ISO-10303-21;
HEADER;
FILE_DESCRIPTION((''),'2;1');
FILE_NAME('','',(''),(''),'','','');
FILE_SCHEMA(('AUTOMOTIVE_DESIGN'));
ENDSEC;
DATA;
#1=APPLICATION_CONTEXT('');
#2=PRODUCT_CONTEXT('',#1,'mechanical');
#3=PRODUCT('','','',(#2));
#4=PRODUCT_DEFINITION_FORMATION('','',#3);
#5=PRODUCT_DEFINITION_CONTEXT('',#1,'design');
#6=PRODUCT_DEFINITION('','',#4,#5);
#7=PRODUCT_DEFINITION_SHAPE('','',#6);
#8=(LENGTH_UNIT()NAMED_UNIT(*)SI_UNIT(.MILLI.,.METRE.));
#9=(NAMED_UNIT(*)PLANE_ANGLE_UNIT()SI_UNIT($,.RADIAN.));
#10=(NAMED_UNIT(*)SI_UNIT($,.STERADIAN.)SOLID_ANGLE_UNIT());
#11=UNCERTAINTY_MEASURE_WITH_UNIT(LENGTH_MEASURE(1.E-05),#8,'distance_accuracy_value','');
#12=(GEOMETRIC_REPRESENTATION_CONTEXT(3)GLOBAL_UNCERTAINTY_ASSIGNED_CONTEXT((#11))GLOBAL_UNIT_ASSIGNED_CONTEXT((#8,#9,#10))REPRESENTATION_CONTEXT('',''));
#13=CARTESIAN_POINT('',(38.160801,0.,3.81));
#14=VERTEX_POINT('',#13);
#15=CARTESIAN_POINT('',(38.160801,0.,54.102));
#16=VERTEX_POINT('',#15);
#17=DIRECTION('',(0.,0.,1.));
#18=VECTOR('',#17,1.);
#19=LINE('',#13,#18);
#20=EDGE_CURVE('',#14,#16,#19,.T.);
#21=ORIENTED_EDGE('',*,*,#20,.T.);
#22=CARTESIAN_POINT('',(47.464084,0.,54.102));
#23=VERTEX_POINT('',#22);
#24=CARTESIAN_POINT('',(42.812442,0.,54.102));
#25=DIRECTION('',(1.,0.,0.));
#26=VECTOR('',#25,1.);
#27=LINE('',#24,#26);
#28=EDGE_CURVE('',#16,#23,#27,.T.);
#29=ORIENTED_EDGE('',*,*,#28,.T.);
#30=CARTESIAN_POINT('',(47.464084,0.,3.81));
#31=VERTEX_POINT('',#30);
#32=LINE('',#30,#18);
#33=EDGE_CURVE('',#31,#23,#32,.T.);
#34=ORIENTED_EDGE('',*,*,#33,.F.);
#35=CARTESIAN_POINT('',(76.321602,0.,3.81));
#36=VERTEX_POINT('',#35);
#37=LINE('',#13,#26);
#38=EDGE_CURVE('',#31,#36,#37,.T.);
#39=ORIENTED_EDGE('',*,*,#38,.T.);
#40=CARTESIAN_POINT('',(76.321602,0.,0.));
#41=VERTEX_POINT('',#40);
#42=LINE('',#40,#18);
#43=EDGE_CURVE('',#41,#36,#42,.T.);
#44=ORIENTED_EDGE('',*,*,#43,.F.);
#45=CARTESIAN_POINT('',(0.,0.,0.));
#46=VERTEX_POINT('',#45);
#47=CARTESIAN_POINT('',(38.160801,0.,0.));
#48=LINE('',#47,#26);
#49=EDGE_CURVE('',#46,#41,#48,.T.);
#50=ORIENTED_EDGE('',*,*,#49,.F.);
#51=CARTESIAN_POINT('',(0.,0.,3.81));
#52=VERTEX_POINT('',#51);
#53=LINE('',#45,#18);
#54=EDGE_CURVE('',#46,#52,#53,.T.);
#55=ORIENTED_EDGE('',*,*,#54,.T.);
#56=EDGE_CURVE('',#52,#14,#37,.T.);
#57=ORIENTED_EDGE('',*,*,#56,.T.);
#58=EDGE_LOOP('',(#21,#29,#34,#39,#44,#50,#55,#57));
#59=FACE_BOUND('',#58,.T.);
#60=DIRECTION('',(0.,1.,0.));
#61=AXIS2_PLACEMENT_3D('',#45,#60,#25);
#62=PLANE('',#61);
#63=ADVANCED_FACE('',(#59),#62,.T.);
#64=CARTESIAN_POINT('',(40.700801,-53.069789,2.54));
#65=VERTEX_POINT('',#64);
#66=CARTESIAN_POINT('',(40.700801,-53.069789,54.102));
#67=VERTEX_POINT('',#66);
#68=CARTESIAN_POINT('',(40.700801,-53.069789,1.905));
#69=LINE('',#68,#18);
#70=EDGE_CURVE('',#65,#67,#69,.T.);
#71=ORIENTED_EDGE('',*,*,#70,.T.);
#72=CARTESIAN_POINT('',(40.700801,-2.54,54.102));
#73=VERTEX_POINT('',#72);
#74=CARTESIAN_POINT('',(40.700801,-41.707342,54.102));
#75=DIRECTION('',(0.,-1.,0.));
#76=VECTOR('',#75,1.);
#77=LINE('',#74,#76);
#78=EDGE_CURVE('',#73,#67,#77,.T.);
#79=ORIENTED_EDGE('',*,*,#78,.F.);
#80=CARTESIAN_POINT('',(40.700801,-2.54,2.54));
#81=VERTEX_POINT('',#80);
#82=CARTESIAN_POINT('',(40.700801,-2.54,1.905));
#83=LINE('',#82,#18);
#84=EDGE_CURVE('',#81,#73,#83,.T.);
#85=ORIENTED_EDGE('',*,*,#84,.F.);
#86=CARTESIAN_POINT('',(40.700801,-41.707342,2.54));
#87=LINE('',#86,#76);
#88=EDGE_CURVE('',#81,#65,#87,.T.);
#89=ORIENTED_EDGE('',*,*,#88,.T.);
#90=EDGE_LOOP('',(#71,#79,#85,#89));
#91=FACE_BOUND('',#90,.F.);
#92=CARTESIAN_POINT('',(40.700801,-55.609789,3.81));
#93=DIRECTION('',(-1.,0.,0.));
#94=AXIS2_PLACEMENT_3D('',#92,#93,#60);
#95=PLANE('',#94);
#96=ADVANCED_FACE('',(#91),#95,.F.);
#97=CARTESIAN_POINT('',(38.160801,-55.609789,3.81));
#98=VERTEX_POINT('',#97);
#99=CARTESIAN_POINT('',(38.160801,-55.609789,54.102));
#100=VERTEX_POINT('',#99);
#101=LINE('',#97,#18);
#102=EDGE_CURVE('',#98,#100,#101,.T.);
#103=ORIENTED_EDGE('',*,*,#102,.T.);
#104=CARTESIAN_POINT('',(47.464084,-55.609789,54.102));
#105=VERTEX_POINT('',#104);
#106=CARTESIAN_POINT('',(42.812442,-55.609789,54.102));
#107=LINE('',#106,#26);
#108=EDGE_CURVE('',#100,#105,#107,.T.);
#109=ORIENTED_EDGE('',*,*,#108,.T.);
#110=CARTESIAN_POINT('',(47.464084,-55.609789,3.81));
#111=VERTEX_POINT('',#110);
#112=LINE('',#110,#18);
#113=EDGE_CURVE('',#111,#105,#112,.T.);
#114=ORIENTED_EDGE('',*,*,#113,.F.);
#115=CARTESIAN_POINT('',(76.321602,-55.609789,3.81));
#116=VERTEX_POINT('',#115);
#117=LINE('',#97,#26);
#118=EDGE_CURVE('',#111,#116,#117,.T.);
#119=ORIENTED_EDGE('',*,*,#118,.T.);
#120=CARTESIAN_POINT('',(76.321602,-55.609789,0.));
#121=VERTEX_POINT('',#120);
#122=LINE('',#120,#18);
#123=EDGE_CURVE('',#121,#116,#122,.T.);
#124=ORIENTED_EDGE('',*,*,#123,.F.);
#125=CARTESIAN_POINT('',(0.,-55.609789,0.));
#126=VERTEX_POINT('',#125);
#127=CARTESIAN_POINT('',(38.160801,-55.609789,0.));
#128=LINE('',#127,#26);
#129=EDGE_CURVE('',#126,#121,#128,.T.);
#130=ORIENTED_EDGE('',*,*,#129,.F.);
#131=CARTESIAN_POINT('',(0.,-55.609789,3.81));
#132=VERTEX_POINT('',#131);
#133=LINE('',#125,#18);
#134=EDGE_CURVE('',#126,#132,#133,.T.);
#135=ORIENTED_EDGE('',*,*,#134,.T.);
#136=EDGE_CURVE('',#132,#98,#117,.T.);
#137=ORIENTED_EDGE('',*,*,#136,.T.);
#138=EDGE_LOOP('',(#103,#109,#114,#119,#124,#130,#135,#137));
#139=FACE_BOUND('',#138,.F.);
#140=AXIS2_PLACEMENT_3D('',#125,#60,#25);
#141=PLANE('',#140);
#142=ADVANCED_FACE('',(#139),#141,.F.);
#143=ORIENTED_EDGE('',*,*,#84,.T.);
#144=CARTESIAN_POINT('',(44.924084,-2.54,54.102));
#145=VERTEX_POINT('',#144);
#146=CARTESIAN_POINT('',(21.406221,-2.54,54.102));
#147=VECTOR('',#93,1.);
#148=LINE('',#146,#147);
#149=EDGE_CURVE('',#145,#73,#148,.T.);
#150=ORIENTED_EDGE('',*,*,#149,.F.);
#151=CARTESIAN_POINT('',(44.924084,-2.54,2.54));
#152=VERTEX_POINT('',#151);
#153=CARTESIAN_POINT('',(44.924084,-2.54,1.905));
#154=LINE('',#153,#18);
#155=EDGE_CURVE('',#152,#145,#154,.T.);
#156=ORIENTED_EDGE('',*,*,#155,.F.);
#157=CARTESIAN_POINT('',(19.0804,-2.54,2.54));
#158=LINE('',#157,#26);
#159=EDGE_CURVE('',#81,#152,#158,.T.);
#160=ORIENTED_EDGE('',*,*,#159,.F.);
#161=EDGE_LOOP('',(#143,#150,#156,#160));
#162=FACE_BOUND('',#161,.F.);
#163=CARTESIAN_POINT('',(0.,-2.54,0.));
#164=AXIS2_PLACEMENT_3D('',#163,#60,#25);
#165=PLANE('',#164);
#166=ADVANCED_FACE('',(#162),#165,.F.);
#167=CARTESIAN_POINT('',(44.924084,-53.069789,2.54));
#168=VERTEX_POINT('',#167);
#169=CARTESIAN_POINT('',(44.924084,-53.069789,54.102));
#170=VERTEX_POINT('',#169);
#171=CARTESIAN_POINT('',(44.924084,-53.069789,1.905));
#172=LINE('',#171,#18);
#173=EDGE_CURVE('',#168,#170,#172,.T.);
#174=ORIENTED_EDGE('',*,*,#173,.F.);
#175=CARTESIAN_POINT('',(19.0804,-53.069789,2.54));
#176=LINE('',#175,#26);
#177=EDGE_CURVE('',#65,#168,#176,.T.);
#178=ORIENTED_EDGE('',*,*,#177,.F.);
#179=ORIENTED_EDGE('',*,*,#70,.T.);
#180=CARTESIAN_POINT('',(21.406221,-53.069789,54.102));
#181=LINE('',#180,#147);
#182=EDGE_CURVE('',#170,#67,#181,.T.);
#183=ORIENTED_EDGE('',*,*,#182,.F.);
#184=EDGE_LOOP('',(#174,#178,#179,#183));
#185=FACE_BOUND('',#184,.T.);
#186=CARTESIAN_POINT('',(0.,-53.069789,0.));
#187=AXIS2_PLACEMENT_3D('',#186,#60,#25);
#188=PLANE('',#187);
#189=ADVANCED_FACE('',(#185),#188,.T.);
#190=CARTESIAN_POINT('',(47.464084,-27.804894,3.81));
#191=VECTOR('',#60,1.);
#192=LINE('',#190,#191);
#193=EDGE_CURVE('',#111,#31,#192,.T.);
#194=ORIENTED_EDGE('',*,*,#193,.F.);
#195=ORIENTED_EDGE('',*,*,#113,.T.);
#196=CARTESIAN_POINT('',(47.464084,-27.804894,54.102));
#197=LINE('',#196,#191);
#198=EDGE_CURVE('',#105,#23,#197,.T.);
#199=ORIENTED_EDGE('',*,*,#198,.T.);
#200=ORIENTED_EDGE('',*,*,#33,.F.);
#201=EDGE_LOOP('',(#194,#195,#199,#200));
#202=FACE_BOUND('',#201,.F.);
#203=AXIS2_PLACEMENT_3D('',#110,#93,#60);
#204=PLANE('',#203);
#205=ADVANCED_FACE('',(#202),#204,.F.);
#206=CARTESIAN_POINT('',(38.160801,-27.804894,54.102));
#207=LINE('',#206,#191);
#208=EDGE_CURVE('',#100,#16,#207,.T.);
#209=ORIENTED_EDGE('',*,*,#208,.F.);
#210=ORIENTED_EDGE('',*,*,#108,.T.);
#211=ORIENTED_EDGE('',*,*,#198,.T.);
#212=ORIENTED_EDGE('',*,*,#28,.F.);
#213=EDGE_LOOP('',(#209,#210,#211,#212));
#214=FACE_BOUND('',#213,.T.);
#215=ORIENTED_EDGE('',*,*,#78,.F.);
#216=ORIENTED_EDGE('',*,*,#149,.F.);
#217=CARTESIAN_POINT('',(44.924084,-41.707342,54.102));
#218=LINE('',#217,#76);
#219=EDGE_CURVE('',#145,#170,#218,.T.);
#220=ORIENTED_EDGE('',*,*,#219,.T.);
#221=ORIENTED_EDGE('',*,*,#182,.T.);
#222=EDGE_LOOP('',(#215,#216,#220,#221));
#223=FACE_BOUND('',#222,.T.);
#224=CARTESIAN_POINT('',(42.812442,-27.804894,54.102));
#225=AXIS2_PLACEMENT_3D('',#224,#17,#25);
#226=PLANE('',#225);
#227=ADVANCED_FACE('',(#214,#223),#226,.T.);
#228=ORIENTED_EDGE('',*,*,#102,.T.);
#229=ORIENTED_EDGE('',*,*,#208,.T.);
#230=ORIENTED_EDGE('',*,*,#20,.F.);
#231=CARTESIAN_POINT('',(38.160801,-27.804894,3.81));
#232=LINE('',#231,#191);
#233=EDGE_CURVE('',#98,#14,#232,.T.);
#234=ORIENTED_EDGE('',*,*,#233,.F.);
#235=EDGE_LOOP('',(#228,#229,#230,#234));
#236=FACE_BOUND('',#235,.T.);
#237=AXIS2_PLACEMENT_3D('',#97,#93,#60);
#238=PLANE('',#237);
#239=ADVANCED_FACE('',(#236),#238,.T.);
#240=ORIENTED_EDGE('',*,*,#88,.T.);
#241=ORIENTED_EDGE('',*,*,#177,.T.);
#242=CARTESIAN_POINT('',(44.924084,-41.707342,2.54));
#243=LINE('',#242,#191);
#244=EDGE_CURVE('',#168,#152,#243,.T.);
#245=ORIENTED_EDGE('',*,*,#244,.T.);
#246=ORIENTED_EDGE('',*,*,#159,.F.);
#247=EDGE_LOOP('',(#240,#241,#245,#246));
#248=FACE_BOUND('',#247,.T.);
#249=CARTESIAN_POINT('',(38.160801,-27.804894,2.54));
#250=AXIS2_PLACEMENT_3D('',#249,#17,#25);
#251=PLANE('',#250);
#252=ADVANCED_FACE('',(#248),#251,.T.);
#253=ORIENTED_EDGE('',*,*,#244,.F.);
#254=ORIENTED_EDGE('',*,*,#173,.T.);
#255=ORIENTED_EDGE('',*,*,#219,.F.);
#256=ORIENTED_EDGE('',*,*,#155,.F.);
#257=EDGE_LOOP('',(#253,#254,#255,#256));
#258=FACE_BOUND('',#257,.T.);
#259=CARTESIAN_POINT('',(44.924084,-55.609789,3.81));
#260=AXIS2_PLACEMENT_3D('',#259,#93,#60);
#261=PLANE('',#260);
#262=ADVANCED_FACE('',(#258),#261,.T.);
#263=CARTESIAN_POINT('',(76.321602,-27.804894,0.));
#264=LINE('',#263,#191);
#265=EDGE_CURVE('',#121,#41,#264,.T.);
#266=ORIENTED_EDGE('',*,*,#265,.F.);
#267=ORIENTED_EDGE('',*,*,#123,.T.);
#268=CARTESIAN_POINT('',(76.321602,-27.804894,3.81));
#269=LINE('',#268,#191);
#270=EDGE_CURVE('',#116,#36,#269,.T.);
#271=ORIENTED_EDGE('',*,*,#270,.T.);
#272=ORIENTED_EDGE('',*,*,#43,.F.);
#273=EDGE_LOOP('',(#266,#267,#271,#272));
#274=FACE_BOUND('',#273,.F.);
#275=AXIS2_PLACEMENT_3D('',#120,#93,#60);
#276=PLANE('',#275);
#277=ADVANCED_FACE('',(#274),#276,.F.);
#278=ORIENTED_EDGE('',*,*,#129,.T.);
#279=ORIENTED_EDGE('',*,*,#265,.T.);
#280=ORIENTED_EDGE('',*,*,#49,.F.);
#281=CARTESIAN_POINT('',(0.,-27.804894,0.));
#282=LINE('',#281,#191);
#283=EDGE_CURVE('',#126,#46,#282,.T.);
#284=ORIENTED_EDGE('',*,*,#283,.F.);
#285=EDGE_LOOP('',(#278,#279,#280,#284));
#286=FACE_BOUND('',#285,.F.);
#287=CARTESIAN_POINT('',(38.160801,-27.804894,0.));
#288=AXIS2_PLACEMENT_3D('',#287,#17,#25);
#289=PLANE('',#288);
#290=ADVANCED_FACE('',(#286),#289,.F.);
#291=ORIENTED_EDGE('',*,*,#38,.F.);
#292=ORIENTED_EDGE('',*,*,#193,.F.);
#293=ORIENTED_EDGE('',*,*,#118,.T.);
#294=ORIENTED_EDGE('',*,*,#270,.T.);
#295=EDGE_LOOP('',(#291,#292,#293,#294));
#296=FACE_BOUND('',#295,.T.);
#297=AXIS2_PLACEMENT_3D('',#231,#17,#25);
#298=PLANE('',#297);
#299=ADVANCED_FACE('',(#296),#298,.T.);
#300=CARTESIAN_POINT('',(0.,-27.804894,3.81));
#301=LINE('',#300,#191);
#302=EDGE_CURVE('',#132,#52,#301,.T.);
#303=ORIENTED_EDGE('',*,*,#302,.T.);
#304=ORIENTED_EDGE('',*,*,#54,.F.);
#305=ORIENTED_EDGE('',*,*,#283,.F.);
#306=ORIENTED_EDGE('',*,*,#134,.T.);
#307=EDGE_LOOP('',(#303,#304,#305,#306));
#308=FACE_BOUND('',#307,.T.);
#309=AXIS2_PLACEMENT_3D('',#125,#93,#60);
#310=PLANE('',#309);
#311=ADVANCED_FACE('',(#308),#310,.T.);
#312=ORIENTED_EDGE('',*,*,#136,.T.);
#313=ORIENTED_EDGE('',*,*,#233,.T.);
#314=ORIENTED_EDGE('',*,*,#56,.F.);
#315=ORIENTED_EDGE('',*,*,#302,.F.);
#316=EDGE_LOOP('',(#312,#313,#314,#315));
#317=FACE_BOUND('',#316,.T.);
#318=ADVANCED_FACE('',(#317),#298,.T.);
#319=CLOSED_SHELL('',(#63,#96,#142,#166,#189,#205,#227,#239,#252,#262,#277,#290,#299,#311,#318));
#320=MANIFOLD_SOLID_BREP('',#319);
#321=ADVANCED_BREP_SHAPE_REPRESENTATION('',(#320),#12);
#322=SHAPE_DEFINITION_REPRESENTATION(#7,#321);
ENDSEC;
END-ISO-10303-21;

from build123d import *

# Parameters (mm, degrees)
F0_W     = 76.3216018677
F0_H     = 55.6097887456
F1_DEPTH = 3.81
F2_W     = 9.3032829463
F2_H     = 55.6097887456
F3_DEPTH = 50.292
F4_T     = -2.54


with BuildPart() as f1:
    # F0 (on Top) → F1 (new body)
    with BuildSketch(Plane.XY):
        with Locations((38.1608009338, -27.8048943728)):
            Rectangle(F0_W, F0_H)
    extrude(amount=F1_DEPTH)

    # F2 (on face) → F3 (join)
    with BuildSketch(Plane.XY.offset(3.81)):
        with Locations((42.812442407, -27.8048943728)):
            Rectangle(F2_W, F2_H)
    extrude(amount=F3_DEPTH)

    # F4
    f4_openings = [f1.faces().sort_by_distance(p)[0] for p in [
        (42.812442, -27.804894, 54.102),
    ]]
    offset(amount=F4_T, openings=f4_openings, kind=Kind.INTERSECTION)


solid = f1.part
